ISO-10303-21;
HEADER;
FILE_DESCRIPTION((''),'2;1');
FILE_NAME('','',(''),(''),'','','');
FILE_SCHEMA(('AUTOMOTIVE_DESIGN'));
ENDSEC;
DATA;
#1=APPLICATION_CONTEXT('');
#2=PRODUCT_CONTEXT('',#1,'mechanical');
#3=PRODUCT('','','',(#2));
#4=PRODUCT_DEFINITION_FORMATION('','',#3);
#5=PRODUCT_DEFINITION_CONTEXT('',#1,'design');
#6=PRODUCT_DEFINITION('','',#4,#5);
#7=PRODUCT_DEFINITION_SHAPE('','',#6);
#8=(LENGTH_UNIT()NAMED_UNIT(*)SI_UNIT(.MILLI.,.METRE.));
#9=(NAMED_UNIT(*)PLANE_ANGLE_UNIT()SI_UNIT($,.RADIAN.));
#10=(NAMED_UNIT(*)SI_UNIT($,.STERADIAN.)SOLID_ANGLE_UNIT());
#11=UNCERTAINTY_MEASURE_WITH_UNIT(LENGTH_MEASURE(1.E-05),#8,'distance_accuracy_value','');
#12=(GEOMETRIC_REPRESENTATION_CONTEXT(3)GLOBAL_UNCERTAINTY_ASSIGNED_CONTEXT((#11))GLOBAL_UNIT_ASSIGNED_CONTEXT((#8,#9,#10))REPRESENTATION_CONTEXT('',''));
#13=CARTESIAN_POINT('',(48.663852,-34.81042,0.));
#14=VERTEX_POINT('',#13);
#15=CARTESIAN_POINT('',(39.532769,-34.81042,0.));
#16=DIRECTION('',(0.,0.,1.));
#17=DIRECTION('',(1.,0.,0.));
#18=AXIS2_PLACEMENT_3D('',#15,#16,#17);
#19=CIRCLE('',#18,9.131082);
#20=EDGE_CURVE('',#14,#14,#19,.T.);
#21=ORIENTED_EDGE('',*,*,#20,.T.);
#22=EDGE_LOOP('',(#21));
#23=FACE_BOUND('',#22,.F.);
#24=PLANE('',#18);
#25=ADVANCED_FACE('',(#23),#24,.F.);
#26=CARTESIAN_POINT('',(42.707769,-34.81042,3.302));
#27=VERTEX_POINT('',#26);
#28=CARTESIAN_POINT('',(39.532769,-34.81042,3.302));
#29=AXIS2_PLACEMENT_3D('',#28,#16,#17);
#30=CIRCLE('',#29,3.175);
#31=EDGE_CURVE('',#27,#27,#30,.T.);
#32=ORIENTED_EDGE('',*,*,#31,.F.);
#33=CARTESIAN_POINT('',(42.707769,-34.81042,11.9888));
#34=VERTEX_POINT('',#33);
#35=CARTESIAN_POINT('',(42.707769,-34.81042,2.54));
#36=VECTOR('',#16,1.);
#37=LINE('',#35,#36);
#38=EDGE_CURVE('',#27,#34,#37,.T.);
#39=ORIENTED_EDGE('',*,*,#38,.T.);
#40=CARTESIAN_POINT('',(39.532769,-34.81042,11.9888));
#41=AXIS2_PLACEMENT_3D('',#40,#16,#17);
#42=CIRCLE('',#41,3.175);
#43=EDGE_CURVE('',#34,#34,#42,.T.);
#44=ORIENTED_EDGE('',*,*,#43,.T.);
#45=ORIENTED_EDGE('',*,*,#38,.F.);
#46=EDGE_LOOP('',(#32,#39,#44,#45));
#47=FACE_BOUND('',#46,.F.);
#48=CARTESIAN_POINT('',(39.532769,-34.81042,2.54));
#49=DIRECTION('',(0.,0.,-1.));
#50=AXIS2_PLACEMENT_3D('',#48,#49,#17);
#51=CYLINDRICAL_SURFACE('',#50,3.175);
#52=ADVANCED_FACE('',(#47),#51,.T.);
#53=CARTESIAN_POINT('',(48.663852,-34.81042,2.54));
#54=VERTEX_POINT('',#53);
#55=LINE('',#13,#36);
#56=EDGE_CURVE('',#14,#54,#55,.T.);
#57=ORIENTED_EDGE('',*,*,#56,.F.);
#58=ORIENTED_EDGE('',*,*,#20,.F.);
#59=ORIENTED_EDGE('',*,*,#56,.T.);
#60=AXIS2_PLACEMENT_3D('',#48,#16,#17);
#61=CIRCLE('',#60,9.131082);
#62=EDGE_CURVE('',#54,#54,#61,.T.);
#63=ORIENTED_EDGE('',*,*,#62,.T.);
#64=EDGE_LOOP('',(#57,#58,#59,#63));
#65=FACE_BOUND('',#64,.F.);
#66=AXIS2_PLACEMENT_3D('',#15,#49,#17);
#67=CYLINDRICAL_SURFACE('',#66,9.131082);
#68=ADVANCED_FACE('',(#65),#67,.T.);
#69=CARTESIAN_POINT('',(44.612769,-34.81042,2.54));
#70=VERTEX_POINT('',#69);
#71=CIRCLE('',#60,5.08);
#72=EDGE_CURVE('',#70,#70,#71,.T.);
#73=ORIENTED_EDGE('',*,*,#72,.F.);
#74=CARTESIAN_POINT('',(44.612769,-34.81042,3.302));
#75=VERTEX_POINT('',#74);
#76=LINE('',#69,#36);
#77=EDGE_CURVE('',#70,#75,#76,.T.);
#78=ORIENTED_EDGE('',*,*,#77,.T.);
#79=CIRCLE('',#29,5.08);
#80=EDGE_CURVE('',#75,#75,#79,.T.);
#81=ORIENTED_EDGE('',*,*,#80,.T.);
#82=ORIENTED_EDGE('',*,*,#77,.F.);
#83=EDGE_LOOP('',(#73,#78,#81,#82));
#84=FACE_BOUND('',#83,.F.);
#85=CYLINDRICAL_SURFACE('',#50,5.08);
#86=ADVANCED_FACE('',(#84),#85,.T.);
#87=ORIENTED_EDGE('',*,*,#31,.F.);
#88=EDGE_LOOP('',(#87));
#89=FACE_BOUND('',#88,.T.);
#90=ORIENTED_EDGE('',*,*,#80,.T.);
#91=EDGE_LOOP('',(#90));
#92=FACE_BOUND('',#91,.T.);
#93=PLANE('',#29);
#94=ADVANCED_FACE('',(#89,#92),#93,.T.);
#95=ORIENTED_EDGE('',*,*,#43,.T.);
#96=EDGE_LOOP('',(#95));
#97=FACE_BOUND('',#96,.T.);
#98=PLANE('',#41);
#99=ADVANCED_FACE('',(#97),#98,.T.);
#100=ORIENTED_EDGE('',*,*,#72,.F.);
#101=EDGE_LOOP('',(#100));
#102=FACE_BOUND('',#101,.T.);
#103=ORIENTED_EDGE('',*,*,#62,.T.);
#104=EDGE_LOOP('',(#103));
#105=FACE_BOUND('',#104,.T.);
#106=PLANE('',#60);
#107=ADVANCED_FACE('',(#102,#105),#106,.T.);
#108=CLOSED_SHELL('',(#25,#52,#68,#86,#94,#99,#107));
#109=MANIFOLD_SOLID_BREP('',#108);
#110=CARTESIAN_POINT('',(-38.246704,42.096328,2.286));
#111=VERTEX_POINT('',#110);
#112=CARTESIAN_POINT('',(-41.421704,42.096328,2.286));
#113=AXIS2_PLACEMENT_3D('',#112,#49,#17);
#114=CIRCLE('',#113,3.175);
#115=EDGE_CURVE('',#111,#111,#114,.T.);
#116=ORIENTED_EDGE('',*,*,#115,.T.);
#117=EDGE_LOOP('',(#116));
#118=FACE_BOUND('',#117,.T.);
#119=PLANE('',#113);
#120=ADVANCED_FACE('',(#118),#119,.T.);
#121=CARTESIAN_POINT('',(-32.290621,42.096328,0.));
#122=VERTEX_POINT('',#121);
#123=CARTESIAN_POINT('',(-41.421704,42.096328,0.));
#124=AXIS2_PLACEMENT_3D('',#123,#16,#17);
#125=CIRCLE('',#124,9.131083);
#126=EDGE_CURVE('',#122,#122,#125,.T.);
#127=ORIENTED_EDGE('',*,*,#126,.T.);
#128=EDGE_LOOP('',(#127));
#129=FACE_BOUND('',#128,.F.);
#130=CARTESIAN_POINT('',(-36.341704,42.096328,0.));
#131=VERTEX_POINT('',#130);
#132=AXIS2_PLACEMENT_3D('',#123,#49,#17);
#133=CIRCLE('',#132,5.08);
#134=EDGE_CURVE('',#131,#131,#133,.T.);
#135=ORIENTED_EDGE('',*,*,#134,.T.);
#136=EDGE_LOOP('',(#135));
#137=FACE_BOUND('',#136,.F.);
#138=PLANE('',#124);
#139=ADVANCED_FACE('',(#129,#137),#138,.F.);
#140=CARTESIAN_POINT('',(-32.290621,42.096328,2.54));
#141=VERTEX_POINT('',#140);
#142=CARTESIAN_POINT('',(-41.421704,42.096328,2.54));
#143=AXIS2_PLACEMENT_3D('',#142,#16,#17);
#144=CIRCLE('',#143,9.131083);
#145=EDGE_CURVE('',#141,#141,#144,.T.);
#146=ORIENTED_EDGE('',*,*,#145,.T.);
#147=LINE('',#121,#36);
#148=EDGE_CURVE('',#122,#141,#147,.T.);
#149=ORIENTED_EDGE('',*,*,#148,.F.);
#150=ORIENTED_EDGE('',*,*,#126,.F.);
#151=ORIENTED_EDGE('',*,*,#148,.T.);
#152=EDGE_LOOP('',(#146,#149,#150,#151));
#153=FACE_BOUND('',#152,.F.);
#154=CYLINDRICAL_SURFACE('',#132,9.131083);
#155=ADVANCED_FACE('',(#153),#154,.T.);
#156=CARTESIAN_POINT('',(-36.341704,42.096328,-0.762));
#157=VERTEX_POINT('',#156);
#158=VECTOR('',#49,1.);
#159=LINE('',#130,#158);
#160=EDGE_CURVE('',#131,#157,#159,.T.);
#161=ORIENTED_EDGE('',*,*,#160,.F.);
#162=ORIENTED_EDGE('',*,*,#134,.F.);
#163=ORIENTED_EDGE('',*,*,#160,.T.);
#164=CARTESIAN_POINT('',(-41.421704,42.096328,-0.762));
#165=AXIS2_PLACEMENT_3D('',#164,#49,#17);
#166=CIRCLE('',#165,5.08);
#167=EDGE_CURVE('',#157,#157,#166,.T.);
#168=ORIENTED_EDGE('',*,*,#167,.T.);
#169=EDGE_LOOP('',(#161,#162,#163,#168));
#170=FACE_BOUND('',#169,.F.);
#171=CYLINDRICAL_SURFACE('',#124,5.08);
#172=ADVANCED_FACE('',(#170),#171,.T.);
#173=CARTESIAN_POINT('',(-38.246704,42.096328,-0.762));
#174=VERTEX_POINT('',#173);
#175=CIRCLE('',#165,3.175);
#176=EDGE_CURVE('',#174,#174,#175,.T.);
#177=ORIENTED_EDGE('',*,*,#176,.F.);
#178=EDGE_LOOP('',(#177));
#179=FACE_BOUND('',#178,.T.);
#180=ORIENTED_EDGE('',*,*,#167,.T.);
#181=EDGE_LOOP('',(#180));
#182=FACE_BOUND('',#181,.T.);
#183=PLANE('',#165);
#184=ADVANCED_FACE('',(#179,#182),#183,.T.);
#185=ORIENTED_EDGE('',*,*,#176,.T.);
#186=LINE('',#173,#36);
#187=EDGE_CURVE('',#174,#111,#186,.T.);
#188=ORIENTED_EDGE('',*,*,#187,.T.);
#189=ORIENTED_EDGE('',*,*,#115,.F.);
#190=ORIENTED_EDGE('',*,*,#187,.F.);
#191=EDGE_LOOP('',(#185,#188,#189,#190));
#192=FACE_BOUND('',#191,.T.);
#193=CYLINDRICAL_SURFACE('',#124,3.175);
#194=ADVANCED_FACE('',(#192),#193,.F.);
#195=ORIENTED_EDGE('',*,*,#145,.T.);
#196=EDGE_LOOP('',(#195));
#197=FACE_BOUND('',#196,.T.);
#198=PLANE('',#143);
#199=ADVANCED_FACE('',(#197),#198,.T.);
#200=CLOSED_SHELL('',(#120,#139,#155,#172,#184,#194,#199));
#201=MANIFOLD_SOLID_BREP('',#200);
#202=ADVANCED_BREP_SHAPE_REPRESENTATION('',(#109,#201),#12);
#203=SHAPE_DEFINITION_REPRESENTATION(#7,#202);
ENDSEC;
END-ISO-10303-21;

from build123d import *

# Parameters (mm, degrees)
F0_R      = 9.1310834052
F1_DEPTH  = 2.54
F2_R      = 9.1310823042
F3_DEPTH  = 2.54
F4_R      = 3.175
F5_DEPTH  = 9.4488
F6_R      = 3.175
F7_DEPTH  = 1.778
F8_R      = 3.175
F9_DEPTH  = 2.032
F10_R     = 3.175
F11_DEPTH = 2.286
F12_R     = 5.08
F12_R_2   = 3.175
F13_DEPTH = 0.762
F14_R     = 5.08
F14_R_2   = 3.175
F15_DEPTH = 0.762


with BuildPart() as f1:
    # F0 (on Top) → F1 (new body)
    with BuildSketch(Plane.XY):
        with Locations((-41.4217039943, 42.0963279903)):
            Circle(F0_R)
    extrude(amount=F1_DEPTH)

    # F6 (on face) → F7 (join)
    with BuildSketch(Plane(origin=(0, 0, 0), x_dir=(1, 0, 0), z_dir=(0, 0, -1))):
        with Locations((-41.4217039943, -42.0963279903)):
            Circle(F6_R)
    extrude(amount=-F7_DEPTH)

    # F8 (on face) → F9 (join)
    with BuildSketch(Plane(origin=(0, 0, 0), x_dir=(1, 0, 0), z_dir=(0, 0, -1))):
        with Locations((-41.4217039943, -42.0963279903)):
            Circle(F8_R)
    extrude(amount=-F9_DEPTH)

    # F10 (on face) → F11 (cut)
    with BuildSketch(Plane(origin=(0, 0, 0), x_dir=(1, 0, 0), z_dir=(0, 0, -1))):
        with Locations((-41.4217039943, -42.0963279903)):
            Circle(F10_R)
    extrude(amount=-F11_DEPTH, mode=Mode.SUBTRACT)

    # F12 (on face) → F13 (join)
    with BuildSketch(Plane(origin=(0, 0, 0), x_dir=(1, 0, 0), z_dir=(0, 0, -1))):
        with Locations((-41.4217039943, -42.0963279903)):
            Circle(F12_R)
        with Locations((-41.4217039943, -42.0963279903)):
            Circle(F12_R_2, mode=Mode.SUBTRACT)
    extrude(amount=F13_DEPTH)


with BuildPart() as f3:
    # F2 (on Top) → F3 (new body)
    with BuildSketch(Plane.XY):
        with Locations((39.5327694714, -34.8104201257)):
            Circle(F2_R)
    extrude(amount=F3_DEPTH)

    # F4 (on face) → F5 (join)
    with BuildSketch(Plane.XY.offset(2.54)):
        with Locations((39.5327694714, -34.8104201257)):
            Circle(F4_R)
    extrude(amount=F5_DEPTH)

    # F14 (on face) → F15 (join)
    with BuildSketch(Plane.XY.offset(2.54)):
        with Locations((39.5327694714, -34.8104201257)):
            Circle(F14_R)
        with Locations((39.5327694714, -34.8104201257)):
            Circle(F14_R_2, mode=Mode.SUBTRACT)
    extrude(amount=F15_DEPTH)


solid = Compound([f1.part, f3.part])
